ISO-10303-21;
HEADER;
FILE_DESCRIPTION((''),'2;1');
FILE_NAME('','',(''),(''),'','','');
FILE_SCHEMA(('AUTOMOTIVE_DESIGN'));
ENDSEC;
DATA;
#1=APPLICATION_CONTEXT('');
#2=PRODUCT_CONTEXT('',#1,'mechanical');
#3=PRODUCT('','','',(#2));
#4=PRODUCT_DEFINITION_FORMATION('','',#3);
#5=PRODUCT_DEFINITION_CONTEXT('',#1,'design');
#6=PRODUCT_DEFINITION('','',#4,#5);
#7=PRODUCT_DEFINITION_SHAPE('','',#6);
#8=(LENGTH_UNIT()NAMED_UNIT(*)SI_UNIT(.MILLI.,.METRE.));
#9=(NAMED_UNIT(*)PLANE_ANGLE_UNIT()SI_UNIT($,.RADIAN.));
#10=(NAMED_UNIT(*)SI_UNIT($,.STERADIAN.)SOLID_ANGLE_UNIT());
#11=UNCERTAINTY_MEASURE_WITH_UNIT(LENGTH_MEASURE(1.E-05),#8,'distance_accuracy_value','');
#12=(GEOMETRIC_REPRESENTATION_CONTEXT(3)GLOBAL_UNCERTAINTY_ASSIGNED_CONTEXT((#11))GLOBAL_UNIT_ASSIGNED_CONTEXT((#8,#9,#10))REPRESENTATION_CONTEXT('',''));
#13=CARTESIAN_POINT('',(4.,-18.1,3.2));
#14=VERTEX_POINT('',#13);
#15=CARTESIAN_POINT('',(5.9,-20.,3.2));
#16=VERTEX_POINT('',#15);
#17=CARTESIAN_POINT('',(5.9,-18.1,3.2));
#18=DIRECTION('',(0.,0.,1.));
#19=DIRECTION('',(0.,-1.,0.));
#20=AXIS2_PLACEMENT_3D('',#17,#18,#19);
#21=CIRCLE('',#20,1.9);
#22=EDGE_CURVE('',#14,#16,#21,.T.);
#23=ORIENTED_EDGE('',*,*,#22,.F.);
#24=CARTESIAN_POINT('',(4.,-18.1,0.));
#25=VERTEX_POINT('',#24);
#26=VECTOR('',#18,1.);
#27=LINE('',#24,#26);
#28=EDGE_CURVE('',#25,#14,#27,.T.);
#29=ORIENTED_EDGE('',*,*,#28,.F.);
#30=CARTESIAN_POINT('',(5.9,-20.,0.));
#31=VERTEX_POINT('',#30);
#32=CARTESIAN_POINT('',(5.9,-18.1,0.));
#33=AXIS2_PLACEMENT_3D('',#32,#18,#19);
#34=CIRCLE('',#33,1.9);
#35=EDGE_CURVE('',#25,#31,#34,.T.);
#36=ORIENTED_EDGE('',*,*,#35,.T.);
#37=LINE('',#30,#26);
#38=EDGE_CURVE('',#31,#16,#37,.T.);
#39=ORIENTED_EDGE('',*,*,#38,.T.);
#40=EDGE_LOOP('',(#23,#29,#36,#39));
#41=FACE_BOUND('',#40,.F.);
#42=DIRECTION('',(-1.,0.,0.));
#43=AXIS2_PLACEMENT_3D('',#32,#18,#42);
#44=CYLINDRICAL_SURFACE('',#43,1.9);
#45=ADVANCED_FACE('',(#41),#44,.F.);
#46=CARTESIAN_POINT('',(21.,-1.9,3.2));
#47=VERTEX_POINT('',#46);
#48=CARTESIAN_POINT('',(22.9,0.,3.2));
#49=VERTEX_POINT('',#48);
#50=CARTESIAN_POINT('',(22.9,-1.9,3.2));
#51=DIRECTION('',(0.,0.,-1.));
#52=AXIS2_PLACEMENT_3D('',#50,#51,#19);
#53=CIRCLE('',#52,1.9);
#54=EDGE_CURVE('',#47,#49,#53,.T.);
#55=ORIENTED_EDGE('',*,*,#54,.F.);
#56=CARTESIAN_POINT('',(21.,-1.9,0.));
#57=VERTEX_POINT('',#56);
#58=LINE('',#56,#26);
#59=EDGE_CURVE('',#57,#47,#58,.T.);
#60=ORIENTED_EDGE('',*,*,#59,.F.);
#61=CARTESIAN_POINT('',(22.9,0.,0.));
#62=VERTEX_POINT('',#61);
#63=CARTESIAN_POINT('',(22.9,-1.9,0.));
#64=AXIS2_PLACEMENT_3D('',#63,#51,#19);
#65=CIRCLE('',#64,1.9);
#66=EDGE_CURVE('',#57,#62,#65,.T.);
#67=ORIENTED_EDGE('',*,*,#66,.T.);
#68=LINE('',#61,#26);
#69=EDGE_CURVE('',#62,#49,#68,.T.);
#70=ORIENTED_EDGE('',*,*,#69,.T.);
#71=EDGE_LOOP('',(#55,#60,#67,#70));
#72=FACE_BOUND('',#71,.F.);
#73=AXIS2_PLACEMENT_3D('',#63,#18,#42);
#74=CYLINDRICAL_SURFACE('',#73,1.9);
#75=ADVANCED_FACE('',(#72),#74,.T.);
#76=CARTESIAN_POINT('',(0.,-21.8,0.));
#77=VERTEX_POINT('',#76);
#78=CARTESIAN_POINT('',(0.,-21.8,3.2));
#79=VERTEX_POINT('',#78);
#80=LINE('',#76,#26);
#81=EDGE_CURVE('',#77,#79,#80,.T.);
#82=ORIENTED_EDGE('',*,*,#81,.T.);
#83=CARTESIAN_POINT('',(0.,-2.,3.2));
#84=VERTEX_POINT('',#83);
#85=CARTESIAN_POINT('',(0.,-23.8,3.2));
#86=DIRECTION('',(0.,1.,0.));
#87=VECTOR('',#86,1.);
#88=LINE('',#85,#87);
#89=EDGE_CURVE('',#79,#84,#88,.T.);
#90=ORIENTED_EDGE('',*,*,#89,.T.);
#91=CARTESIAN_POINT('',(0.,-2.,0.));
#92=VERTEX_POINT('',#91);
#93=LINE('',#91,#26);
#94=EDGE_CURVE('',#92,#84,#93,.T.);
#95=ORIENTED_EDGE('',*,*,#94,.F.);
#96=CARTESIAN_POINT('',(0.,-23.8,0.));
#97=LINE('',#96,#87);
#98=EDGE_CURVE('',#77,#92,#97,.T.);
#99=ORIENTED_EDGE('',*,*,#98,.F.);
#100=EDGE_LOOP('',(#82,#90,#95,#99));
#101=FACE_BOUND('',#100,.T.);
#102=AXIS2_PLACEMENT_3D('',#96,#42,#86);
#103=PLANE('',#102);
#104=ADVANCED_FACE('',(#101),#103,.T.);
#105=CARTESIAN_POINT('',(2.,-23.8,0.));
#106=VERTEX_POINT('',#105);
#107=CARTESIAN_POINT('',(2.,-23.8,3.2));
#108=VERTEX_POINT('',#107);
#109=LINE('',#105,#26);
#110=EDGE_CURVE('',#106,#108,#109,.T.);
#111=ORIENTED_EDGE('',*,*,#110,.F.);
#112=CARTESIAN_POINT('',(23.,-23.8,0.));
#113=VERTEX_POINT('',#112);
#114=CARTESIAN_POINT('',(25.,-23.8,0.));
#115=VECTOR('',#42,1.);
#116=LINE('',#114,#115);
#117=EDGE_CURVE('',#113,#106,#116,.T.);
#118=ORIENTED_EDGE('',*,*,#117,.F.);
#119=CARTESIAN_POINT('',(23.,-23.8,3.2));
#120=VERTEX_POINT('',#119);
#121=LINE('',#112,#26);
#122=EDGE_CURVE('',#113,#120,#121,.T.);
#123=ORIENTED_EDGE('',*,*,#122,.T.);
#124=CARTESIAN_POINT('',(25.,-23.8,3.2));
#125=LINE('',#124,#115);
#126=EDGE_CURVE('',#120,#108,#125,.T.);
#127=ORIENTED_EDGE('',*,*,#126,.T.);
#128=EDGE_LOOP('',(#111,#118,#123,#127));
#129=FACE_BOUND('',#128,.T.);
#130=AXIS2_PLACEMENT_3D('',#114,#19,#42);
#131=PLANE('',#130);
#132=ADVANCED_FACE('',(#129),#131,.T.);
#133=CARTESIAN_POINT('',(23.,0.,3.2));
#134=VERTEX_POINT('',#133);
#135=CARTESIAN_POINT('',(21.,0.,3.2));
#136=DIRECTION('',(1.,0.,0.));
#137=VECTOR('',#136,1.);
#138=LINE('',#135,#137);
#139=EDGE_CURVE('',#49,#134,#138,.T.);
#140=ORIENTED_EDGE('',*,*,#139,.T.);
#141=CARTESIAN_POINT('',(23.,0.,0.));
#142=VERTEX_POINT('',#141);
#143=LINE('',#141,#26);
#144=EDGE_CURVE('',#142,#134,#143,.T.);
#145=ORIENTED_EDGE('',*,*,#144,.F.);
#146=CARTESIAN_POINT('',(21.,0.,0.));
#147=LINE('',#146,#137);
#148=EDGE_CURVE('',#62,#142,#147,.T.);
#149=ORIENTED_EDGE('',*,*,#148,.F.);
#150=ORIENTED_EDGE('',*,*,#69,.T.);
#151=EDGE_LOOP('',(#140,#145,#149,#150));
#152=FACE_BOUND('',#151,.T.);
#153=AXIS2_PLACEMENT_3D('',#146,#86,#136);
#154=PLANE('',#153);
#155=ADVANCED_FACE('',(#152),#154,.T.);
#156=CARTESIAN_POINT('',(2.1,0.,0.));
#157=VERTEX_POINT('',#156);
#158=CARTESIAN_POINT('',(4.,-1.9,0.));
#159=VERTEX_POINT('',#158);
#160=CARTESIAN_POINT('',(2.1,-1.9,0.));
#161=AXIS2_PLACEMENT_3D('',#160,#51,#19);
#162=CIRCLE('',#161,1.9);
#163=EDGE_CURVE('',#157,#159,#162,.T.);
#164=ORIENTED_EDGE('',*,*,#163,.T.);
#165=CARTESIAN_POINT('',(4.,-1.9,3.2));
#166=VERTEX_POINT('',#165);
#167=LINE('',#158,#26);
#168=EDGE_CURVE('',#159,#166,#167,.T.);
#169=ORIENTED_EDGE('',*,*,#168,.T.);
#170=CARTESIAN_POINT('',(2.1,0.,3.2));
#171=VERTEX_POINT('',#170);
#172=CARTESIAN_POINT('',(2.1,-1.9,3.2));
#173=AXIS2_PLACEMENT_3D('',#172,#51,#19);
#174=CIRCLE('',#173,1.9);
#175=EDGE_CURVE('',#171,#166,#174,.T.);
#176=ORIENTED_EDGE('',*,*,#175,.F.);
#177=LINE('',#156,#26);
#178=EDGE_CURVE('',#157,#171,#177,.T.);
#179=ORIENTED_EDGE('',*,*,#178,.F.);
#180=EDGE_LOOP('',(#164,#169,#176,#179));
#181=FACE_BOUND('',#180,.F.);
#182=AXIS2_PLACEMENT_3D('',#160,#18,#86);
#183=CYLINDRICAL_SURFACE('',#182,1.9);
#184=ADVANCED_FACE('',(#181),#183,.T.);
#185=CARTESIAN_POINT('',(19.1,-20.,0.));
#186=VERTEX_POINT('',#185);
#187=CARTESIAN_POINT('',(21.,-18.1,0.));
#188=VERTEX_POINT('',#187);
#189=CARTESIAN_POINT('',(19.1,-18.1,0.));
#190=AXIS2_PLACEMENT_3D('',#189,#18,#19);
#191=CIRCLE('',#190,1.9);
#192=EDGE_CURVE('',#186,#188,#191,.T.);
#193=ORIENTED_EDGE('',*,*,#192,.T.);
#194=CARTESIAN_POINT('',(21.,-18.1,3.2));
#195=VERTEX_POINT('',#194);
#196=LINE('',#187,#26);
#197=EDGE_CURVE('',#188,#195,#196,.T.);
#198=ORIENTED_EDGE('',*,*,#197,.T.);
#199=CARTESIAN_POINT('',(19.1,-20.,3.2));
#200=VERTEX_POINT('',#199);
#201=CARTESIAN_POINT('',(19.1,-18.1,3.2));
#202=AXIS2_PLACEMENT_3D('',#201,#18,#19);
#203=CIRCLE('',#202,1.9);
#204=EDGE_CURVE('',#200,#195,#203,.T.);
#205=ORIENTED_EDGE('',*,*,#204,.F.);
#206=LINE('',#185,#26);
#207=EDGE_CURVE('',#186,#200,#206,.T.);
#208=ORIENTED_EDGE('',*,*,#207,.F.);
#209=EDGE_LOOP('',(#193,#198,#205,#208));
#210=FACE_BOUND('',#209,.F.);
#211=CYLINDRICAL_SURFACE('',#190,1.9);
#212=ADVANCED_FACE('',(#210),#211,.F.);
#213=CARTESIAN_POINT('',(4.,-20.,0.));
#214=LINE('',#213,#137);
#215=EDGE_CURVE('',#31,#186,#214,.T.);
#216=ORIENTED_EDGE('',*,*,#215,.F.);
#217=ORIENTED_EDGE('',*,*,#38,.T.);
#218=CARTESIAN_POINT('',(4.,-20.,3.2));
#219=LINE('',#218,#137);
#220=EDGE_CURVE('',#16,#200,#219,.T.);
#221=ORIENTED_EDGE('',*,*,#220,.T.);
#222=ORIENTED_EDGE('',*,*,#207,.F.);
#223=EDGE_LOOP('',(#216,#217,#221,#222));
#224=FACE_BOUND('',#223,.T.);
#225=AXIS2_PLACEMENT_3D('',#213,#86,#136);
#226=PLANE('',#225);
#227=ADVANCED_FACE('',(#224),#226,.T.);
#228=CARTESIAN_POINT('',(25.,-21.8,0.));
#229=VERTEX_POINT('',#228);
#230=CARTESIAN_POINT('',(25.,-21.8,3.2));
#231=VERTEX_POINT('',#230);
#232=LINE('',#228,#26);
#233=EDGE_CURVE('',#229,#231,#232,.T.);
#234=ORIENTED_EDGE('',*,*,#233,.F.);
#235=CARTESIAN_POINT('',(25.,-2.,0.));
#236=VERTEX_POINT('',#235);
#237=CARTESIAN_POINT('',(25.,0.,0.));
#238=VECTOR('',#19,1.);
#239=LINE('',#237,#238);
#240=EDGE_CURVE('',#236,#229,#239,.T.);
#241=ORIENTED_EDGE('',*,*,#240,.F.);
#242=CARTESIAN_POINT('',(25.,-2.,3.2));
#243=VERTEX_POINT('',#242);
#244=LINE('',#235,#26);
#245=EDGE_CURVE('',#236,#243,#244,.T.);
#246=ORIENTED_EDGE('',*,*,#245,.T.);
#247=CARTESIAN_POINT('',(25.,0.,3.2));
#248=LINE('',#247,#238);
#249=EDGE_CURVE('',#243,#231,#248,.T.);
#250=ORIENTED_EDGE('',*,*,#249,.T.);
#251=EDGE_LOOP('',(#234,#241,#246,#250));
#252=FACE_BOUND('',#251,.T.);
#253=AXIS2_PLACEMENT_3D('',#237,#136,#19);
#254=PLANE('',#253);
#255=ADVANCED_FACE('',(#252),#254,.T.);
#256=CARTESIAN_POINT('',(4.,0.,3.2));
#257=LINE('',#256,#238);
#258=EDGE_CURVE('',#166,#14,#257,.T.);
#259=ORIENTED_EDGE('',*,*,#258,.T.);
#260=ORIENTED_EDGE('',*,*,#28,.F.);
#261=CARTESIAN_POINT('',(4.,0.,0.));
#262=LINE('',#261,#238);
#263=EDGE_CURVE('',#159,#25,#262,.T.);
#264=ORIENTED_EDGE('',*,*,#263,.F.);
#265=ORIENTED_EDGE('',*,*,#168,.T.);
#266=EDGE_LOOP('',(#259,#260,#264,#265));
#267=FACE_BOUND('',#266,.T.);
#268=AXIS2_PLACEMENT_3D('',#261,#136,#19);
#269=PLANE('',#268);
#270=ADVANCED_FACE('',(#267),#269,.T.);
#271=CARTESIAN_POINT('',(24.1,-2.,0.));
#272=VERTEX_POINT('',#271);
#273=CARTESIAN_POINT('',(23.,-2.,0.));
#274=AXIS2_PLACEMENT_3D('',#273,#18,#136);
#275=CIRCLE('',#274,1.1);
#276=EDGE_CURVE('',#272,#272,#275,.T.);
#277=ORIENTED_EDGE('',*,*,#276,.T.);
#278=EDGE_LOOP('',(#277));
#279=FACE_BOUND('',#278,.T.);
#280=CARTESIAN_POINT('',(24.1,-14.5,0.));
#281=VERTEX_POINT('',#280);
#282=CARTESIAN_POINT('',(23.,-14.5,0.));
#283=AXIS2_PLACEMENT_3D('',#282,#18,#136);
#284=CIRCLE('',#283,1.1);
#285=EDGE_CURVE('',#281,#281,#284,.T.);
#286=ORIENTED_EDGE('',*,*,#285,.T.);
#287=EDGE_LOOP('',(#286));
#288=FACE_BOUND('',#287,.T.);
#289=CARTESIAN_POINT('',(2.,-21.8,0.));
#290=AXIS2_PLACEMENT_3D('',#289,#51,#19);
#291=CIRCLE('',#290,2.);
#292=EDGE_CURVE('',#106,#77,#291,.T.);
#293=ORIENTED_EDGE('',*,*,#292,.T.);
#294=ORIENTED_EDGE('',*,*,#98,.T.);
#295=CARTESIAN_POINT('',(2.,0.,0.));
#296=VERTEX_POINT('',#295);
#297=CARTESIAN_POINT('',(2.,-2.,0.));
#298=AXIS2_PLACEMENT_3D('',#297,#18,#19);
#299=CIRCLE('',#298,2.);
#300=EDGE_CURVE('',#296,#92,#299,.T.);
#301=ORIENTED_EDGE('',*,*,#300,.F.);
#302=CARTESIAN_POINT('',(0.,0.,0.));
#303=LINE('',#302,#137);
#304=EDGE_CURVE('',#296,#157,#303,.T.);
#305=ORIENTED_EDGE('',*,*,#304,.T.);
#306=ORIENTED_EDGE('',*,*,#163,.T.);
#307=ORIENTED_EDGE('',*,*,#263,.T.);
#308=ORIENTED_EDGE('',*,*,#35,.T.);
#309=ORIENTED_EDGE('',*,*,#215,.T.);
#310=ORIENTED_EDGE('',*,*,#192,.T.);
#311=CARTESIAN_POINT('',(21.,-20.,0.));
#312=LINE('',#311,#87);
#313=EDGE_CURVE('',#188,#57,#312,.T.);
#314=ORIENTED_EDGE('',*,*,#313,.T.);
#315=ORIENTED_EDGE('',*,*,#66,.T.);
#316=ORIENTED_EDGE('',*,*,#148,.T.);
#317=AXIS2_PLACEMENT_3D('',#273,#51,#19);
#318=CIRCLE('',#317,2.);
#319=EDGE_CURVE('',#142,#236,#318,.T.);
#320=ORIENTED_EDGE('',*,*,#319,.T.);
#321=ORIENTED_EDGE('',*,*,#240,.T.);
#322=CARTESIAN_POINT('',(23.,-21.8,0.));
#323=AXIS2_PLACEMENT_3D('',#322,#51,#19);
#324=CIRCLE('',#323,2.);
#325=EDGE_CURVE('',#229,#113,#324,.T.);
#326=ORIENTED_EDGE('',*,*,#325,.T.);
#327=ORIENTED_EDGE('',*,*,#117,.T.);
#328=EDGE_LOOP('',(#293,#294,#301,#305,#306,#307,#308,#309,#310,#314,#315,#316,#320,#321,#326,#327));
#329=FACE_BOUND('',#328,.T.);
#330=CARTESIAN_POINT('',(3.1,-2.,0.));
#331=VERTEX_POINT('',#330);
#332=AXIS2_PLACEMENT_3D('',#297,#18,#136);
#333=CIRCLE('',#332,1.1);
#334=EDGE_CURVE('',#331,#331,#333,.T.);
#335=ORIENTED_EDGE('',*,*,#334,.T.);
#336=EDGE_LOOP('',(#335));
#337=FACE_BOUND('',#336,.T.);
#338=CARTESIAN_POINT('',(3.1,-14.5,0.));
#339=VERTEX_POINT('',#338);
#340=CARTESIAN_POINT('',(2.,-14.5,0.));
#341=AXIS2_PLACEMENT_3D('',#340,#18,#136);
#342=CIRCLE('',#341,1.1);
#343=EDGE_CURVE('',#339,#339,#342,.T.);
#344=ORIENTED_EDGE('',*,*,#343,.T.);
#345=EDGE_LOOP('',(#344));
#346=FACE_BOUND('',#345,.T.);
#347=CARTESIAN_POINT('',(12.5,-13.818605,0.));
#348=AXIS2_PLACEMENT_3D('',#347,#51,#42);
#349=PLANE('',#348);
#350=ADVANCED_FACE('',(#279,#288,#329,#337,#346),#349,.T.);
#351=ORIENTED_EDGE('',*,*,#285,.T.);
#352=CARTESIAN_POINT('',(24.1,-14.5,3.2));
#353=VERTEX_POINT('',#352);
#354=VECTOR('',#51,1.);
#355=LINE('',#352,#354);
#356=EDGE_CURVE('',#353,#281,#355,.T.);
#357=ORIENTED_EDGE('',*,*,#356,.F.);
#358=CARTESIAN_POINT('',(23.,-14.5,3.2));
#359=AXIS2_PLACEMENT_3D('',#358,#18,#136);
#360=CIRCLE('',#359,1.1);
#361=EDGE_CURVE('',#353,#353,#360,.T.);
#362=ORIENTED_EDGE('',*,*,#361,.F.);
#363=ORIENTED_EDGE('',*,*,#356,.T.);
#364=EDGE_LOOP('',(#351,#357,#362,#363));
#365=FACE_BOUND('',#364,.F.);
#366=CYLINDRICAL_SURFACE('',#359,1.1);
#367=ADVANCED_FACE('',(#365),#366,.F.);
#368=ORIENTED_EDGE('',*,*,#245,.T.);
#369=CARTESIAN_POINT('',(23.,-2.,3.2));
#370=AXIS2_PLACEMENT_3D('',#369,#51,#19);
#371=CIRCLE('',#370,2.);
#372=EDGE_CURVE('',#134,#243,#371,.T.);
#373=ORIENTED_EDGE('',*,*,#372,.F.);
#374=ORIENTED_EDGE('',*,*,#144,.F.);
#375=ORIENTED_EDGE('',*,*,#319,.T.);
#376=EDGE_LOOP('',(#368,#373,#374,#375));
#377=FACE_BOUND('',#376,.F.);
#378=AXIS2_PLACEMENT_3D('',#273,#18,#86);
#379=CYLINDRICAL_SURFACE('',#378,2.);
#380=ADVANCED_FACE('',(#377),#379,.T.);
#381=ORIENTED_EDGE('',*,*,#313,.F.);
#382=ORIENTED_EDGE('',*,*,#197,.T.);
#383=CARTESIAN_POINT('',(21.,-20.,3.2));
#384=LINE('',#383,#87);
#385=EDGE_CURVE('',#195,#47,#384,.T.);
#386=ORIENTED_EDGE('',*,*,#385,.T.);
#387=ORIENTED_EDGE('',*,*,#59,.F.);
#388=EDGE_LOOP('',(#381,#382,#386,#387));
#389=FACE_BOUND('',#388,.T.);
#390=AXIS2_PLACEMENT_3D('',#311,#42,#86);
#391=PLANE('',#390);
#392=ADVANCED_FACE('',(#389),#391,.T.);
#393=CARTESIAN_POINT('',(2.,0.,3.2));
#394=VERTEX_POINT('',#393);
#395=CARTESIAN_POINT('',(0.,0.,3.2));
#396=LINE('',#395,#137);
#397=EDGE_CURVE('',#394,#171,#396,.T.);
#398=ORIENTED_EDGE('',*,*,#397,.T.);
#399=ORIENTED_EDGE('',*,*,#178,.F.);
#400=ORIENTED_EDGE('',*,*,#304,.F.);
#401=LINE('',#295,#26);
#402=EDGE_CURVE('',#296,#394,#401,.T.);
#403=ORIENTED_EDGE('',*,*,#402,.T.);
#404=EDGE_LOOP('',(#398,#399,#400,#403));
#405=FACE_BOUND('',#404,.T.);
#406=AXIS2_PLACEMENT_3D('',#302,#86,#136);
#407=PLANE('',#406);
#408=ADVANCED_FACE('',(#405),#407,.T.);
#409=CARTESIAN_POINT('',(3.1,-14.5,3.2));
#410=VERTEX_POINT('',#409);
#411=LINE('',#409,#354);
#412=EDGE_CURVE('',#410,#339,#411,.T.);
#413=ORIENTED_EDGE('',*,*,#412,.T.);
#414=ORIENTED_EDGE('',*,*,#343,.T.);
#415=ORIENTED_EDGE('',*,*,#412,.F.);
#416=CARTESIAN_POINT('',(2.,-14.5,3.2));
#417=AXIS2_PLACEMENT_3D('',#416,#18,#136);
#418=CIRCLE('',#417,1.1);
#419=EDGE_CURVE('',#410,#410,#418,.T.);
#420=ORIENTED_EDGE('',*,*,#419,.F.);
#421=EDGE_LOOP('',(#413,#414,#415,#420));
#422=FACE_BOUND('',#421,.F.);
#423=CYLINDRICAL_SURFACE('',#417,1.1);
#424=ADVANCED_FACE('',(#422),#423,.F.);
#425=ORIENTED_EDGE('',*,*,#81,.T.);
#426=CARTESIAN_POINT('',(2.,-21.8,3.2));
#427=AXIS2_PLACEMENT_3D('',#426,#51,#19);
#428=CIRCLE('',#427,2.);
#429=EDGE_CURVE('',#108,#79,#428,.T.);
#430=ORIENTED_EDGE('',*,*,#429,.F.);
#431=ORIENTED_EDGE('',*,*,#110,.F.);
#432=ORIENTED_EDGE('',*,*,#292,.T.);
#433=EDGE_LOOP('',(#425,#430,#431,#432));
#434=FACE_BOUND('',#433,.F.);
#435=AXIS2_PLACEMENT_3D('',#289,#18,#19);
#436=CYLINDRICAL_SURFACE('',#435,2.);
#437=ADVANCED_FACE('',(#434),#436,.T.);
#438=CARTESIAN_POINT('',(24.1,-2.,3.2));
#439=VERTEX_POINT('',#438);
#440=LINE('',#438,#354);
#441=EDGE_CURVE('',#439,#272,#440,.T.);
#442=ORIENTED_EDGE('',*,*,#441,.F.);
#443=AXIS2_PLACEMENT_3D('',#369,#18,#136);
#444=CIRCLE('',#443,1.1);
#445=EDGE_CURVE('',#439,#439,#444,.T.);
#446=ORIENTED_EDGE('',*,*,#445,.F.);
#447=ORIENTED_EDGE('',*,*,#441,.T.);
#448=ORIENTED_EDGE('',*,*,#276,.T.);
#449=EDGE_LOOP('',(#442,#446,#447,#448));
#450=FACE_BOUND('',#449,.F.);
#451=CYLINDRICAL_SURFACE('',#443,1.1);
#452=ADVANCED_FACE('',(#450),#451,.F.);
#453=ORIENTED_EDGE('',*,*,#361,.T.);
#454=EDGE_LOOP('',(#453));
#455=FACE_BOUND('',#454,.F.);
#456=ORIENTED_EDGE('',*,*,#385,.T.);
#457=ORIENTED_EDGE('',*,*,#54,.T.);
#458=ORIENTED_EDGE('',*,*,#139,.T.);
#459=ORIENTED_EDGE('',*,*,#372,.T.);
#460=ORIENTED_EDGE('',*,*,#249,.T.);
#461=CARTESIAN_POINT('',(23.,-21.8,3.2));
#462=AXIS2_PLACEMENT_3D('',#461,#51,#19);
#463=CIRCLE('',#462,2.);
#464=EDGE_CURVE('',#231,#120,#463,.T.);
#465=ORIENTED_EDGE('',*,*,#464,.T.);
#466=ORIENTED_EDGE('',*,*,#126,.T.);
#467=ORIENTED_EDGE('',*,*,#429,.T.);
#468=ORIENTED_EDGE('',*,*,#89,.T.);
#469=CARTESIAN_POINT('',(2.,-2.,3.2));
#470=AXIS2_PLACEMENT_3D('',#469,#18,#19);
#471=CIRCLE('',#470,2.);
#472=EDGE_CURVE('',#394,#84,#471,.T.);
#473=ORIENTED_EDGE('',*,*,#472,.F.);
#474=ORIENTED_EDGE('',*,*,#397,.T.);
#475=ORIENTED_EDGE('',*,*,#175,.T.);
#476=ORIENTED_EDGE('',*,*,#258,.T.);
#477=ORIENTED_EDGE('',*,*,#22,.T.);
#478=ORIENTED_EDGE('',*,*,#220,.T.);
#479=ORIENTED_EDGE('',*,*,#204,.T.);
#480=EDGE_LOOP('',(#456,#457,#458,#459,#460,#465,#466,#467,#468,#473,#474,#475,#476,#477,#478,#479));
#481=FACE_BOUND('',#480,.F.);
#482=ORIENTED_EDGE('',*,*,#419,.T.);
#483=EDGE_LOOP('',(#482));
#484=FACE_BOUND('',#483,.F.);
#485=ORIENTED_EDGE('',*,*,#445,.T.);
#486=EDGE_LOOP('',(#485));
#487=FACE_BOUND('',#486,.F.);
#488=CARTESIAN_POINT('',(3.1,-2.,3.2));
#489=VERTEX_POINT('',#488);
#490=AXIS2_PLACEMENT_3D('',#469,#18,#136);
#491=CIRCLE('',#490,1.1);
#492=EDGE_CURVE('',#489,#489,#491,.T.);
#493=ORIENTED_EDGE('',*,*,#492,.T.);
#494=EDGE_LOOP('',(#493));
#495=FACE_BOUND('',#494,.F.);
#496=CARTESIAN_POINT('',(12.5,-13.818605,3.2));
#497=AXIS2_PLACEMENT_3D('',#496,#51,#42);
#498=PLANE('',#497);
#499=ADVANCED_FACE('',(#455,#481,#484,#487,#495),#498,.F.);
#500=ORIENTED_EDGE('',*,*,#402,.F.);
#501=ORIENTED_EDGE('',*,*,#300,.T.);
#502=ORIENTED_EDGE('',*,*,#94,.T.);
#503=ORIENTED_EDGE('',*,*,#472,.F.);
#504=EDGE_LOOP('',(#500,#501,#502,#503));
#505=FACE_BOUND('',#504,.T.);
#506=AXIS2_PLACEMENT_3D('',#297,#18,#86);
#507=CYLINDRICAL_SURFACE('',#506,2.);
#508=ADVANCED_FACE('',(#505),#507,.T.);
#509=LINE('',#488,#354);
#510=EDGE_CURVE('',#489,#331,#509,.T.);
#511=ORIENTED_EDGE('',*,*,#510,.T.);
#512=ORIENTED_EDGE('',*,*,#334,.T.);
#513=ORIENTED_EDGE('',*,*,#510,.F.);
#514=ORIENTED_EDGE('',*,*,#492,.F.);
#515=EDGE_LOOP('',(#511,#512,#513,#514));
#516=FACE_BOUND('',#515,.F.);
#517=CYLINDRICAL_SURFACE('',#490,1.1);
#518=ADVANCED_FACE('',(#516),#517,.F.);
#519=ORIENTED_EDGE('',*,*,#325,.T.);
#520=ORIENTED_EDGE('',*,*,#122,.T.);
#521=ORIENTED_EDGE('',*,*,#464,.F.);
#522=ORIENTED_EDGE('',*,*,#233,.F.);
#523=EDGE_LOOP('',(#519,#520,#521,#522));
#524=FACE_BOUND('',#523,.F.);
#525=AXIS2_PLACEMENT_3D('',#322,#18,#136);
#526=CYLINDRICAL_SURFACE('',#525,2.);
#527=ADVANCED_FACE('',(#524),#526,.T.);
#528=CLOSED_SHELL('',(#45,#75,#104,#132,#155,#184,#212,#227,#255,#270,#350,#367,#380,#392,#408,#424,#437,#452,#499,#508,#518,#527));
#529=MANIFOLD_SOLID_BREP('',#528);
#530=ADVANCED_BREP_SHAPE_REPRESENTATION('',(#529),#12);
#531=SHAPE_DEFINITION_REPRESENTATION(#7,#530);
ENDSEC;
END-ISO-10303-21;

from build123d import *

# Parameters (mm, degrees)
PAD_DEPTH    = 3.2
FILLET_R     = 2
FILLET001_R  = 1.9
SKETCH001_R  = 1.1
POCKET_DEPTH = 5


with BuildPart() as part:
    # Sketch → Pad (new body)
    with BuildSketch(Plane.XY):
        Polygon((0, 0), (4, 0), (4, -20), (21, -20), (21, 0), (25, 0), (25, -23.8), (0, -23.8), align=None)
    extrude(amount=PAD_DEPTH)

    # Fillet
    fillet_edges = [part.edges().sort_by_distance(p)[0] for p in [
        (0, -23.8, 1.6),
        (25, -23.8, 1.6),
        (0, 0, 1.6),
        (25, 0, 1.6),
    ]]
    fillet(fillet_edges, radius=FILLET_R)

    # Fillet001
    fillet001_edges = [part.edges().sort_by_distance(p)[0] for p in [
        (4, 0, 1.6),
        (4, -20, 1.6),
        (21, 0, 1.6),
        (21, -20, 1.6),
    ]]
    fillet(fillet001_edges, radius=FILLET001_R)

    # Sketch001 (on Face5 of Fillet001) → Pocket (cut)
    with BuildSketch(Plane.XY.offset(3.2)):
        with Locations((2, -2)):
            Circle(SKETCH001_R)
        with Locations((2, -14.5)):
            Circle(SKETCH001_R)
        with Locations((23, -2)):
            Circle(SKETCH001_R)
        with Locations((23, -14.5)):
            Circle(SKETCH001_R)
    extrude(amount=-POCKET_DEPTH, mode=Mode.SUBTRACT)


solid = part.part
